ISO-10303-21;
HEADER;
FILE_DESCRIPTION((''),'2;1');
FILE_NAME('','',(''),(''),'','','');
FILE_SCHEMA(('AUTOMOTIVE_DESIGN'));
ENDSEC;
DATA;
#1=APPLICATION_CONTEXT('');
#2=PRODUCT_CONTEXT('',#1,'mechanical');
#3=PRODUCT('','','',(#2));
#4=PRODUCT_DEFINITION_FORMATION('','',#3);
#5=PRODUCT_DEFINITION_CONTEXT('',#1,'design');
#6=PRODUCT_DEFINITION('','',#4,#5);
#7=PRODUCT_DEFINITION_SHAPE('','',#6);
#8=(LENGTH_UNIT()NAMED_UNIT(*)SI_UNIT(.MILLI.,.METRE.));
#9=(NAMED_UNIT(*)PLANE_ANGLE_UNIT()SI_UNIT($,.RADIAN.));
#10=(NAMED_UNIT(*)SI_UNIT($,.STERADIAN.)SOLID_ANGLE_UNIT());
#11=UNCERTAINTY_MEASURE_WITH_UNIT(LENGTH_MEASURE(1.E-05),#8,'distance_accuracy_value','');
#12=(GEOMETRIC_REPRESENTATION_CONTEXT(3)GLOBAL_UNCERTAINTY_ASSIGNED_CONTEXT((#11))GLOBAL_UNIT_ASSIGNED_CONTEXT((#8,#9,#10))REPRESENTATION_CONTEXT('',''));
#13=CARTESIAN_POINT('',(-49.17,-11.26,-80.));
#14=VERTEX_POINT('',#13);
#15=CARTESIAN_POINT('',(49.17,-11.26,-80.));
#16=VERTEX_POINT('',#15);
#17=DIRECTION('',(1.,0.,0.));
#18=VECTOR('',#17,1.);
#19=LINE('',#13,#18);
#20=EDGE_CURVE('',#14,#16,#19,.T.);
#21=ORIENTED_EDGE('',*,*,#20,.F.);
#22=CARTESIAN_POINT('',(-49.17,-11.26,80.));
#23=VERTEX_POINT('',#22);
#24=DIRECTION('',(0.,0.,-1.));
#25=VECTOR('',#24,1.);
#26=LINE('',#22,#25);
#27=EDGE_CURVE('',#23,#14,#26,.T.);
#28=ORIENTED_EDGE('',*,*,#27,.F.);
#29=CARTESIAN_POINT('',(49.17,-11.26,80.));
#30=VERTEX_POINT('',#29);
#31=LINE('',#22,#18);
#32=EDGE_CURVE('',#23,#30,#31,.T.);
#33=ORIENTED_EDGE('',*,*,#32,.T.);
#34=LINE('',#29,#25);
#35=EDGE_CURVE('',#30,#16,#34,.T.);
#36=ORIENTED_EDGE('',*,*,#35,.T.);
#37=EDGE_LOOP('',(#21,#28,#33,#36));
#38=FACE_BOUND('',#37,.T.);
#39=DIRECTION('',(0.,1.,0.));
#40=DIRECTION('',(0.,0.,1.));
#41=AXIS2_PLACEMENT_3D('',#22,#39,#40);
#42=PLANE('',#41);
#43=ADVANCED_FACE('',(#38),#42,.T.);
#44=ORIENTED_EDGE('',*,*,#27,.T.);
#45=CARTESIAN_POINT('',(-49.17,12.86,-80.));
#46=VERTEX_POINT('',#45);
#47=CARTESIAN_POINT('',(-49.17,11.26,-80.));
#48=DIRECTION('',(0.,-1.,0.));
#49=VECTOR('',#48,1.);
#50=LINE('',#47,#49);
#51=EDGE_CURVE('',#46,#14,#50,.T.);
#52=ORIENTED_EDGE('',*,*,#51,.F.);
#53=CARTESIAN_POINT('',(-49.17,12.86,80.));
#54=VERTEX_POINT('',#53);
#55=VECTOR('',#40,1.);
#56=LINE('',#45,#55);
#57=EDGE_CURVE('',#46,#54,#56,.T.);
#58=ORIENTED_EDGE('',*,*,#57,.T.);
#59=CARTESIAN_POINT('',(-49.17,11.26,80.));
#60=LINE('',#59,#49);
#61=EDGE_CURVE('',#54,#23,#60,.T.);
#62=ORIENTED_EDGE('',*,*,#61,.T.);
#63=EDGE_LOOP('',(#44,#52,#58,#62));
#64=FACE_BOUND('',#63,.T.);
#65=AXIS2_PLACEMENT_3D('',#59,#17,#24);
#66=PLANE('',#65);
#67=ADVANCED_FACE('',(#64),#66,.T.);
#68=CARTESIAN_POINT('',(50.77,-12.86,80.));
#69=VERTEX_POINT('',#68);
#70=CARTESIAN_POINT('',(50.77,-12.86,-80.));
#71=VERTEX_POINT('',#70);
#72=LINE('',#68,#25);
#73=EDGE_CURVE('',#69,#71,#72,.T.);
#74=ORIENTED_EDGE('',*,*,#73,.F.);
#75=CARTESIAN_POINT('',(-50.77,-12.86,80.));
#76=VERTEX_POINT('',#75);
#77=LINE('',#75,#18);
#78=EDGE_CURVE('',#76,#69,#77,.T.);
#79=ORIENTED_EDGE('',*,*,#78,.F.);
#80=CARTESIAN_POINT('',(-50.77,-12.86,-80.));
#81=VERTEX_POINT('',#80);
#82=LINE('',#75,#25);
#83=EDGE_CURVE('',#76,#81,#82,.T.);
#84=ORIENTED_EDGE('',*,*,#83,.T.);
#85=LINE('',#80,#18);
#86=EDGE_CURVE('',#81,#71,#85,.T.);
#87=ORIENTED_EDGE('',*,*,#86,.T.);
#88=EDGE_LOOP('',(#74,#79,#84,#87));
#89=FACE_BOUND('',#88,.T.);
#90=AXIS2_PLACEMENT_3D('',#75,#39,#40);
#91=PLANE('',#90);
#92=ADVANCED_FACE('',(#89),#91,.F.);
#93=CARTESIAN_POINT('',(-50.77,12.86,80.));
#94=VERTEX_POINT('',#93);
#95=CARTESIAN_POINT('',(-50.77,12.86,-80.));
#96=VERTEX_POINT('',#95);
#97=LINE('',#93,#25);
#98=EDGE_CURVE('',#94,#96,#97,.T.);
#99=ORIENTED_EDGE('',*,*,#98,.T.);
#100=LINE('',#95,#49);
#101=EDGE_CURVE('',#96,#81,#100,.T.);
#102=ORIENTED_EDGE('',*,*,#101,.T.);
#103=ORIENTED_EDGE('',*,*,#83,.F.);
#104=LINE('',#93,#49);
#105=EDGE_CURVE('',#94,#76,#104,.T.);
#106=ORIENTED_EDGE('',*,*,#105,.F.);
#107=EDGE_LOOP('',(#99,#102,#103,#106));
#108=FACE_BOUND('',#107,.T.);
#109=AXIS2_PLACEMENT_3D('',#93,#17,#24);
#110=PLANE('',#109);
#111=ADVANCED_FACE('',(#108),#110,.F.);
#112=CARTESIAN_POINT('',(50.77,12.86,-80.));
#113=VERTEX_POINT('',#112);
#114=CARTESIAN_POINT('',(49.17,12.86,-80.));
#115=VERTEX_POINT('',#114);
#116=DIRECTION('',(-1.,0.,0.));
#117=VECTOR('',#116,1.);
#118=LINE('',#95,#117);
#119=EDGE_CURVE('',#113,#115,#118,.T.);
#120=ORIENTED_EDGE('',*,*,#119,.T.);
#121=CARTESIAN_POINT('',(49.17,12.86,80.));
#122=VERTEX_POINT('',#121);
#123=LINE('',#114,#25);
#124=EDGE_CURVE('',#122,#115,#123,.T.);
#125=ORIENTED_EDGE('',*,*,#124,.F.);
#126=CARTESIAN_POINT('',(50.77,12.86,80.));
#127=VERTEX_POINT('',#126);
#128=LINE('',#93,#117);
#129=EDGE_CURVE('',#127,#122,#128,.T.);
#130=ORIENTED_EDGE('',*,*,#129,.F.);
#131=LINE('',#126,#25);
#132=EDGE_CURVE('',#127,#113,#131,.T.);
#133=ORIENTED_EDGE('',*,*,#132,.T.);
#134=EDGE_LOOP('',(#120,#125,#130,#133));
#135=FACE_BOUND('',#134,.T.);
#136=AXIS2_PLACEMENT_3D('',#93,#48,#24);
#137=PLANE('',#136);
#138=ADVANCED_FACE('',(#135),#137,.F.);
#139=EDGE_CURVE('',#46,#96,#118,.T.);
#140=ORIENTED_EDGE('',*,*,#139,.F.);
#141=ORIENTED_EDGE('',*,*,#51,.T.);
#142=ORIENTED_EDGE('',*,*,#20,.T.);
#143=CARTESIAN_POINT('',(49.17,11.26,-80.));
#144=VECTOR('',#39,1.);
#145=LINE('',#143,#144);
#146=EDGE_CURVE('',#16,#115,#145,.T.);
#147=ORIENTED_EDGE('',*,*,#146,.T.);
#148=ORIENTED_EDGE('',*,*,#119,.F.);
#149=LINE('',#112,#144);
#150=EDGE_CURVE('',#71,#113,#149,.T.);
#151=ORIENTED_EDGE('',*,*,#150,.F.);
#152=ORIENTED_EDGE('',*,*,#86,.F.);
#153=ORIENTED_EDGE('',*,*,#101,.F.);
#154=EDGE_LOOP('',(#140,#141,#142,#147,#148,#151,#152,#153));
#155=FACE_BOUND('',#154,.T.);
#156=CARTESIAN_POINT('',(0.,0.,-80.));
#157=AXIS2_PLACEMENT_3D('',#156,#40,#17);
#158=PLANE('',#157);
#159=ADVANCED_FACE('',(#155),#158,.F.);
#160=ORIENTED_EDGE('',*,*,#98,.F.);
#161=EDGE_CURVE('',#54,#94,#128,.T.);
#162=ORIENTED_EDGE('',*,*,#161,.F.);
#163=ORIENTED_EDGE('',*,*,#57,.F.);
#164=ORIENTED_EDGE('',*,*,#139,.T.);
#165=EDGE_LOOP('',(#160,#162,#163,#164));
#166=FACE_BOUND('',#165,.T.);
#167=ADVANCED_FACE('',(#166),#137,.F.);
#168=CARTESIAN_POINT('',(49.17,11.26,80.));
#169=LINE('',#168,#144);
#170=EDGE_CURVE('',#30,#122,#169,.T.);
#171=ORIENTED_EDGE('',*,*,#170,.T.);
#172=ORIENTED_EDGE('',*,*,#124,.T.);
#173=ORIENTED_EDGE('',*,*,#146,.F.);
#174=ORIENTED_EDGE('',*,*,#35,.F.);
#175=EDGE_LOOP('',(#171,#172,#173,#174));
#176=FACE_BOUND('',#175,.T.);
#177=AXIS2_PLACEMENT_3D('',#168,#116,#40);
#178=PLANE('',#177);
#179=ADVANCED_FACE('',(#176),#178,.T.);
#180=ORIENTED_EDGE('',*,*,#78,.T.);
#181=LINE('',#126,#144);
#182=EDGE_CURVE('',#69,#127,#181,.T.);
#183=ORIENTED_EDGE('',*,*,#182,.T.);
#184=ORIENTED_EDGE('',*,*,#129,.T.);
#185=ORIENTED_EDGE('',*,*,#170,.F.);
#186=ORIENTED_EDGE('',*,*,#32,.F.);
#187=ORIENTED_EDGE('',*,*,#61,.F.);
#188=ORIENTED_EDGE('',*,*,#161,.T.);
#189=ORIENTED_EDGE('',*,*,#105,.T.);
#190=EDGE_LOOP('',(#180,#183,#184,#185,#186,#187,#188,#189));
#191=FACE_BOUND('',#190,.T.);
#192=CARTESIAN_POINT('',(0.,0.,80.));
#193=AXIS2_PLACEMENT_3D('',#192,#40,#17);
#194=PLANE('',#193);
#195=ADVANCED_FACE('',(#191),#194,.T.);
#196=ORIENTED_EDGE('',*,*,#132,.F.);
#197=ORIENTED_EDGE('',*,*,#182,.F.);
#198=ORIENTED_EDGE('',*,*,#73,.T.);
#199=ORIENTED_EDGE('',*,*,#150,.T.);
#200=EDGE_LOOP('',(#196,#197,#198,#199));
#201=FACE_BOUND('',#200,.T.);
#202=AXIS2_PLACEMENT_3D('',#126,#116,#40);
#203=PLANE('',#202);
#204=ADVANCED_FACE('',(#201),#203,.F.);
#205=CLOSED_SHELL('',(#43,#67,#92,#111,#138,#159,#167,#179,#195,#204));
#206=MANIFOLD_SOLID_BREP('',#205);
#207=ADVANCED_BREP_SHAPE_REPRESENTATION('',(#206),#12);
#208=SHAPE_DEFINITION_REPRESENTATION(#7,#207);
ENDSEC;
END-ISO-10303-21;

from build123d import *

# Parameters (mm, degrees)
CROQUIS1_W              = 101.54
CROQUIS1_H              = 25.72
CROQUIS1_W_2            = 98.34
CROQUIS1_H_2            = 22.52
SALIENTE_EXTRUIR1_DEPTH = 80
CROQUIS2_W              = 98.34
CROQUIS2_H              = 160
CORTAR_EXTRUIR1_DEPTH   = 11.1


with BuildPart() as part:
    # Croquis1 → Saliente-Extruir1 (new, symmetric)
    with BuildSketch(Plane.XY):
        Rectangle(CROQUIS1_W, CROQUIS1_H)
        Rectangle(CROQUIS1_W_2, CROQUIS1_H_2, mode=Mode.SUBTRACT)
    extrude(amount=SALIENTE_EXTRUIR1_DEPTH, both=True)

    # Croquis2 → Cortar-Extruir1 (cut)
    with BuildSketch(Plane(origin=(0, 12.86, 0), x_dir=(1, 0, 0), z_dir=(0, 1, 0))):
        Rectangle(CROQUIS2_W, CROQUIS2_H)
    extrude(amount=-CORTAR_EXTRUIR1_DEPTH, mode=Mode.SUBTRACT)


solid = part.part
